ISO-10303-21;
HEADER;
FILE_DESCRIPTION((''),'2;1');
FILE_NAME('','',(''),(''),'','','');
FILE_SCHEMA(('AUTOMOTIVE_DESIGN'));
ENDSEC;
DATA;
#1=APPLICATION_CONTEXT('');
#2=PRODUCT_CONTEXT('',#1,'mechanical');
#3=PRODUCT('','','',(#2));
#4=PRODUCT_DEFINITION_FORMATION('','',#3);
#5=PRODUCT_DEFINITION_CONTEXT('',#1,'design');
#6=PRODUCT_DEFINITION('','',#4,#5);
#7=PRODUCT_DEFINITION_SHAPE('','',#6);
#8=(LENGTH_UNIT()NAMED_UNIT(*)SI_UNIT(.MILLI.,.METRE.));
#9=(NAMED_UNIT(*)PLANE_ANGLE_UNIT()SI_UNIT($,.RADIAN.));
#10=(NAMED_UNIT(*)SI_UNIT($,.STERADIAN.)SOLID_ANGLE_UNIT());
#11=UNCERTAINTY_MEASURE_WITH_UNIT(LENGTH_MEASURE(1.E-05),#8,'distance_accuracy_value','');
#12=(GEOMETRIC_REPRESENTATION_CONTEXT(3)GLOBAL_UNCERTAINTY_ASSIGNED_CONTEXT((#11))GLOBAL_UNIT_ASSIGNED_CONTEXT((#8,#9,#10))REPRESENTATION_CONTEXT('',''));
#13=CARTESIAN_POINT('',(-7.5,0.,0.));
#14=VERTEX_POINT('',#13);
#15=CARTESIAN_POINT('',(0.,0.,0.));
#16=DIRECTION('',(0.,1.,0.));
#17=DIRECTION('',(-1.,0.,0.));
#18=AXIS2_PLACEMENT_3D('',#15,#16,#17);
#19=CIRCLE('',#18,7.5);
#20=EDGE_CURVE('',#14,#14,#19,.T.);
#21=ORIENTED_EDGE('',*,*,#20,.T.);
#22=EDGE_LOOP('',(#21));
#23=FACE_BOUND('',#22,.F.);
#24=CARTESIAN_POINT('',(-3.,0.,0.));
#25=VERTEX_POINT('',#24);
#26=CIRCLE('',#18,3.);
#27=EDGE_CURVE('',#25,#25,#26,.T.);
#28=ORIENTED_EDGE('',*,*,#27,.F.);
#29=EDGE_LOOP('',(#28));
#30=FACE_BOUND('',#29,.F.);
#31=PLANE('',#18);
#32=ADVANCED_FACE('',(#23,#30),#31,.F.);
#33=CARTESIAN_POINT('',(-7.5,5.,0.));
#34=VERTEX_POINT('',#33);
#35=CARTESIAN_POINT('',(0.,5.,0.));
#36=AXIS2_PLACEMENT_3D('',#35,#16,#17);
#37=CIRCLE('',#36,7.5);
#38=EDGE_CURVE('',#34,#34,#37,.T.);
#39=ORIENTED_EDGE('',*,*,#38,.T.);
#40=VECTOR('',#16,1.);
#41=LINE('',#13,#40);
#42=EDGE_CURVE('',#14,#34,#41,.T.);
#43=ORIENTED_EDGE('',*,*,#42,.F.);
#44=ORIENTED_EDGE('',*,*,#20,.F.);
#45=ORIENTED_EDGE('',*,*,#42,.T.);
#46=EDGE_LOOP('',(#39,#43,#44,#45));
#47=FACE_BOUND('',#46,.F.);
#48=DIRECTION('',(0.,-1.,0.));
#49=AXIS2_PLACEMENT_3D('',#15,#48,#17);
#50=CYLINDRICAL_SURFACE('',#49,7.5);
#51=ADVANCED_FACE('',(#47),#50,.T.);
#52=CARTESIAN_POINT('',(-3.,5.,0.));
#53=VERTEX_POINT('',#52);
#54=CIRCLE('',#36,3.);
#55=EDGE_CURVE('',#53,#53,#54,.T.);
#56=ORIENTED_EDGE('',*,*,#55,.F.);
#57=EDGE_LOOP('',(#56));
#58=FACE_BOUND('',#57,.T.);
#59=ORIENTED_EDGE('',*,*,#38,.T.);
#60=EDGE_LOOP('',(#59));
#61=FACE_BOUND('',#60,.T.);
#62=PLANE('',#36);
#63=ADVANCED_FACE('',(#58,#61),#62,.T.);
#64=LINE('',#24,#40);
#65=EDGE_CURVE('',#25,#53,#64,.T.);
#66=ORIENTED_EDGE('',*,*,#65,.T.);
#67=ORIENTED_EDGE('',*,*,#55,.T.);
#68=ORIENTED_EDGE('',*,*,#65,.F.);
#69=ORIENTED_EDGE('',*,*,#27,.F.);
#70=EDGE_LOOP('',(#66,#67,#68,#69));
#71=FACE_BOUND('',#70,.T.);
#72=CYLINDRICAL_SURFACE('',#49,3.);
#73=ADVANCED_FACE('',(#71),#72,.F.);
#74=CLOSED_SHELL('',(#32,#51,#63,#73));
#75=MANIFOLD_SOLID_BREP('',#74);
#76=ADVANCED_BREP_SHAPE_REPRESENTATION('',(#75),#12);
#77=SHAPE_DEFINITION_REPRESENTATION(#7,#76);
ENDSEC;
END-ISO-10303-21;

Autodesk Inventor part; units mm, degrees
ref_plane "YZ Plane" through (0, 0, 0) normal (1, 0, 0) x (0, 1, 0)
ref_plane "XZ Plane" through (0, 0, 0) normal (0, 1, 0) x (-1, 0, 0)
ref_plane "XY Plane" through (0, 0, 0) normal (0, 0, 1) x (1, 0, 0)
sketch "Sketch1" plane through (0, 0, 0) normal (0, 1, 0) x (-1, 0, 0)
  circle A0 centre (0, 0) radius 3
  circle A1 centre (0, 0) radius 7.5
  dimension "d0" = 6
  dimension "d1" = 15
extrude "Extrusion1" add sketch "Sketch1" along normal blind 5
properties part number "Belt_Tension_Bearing"
